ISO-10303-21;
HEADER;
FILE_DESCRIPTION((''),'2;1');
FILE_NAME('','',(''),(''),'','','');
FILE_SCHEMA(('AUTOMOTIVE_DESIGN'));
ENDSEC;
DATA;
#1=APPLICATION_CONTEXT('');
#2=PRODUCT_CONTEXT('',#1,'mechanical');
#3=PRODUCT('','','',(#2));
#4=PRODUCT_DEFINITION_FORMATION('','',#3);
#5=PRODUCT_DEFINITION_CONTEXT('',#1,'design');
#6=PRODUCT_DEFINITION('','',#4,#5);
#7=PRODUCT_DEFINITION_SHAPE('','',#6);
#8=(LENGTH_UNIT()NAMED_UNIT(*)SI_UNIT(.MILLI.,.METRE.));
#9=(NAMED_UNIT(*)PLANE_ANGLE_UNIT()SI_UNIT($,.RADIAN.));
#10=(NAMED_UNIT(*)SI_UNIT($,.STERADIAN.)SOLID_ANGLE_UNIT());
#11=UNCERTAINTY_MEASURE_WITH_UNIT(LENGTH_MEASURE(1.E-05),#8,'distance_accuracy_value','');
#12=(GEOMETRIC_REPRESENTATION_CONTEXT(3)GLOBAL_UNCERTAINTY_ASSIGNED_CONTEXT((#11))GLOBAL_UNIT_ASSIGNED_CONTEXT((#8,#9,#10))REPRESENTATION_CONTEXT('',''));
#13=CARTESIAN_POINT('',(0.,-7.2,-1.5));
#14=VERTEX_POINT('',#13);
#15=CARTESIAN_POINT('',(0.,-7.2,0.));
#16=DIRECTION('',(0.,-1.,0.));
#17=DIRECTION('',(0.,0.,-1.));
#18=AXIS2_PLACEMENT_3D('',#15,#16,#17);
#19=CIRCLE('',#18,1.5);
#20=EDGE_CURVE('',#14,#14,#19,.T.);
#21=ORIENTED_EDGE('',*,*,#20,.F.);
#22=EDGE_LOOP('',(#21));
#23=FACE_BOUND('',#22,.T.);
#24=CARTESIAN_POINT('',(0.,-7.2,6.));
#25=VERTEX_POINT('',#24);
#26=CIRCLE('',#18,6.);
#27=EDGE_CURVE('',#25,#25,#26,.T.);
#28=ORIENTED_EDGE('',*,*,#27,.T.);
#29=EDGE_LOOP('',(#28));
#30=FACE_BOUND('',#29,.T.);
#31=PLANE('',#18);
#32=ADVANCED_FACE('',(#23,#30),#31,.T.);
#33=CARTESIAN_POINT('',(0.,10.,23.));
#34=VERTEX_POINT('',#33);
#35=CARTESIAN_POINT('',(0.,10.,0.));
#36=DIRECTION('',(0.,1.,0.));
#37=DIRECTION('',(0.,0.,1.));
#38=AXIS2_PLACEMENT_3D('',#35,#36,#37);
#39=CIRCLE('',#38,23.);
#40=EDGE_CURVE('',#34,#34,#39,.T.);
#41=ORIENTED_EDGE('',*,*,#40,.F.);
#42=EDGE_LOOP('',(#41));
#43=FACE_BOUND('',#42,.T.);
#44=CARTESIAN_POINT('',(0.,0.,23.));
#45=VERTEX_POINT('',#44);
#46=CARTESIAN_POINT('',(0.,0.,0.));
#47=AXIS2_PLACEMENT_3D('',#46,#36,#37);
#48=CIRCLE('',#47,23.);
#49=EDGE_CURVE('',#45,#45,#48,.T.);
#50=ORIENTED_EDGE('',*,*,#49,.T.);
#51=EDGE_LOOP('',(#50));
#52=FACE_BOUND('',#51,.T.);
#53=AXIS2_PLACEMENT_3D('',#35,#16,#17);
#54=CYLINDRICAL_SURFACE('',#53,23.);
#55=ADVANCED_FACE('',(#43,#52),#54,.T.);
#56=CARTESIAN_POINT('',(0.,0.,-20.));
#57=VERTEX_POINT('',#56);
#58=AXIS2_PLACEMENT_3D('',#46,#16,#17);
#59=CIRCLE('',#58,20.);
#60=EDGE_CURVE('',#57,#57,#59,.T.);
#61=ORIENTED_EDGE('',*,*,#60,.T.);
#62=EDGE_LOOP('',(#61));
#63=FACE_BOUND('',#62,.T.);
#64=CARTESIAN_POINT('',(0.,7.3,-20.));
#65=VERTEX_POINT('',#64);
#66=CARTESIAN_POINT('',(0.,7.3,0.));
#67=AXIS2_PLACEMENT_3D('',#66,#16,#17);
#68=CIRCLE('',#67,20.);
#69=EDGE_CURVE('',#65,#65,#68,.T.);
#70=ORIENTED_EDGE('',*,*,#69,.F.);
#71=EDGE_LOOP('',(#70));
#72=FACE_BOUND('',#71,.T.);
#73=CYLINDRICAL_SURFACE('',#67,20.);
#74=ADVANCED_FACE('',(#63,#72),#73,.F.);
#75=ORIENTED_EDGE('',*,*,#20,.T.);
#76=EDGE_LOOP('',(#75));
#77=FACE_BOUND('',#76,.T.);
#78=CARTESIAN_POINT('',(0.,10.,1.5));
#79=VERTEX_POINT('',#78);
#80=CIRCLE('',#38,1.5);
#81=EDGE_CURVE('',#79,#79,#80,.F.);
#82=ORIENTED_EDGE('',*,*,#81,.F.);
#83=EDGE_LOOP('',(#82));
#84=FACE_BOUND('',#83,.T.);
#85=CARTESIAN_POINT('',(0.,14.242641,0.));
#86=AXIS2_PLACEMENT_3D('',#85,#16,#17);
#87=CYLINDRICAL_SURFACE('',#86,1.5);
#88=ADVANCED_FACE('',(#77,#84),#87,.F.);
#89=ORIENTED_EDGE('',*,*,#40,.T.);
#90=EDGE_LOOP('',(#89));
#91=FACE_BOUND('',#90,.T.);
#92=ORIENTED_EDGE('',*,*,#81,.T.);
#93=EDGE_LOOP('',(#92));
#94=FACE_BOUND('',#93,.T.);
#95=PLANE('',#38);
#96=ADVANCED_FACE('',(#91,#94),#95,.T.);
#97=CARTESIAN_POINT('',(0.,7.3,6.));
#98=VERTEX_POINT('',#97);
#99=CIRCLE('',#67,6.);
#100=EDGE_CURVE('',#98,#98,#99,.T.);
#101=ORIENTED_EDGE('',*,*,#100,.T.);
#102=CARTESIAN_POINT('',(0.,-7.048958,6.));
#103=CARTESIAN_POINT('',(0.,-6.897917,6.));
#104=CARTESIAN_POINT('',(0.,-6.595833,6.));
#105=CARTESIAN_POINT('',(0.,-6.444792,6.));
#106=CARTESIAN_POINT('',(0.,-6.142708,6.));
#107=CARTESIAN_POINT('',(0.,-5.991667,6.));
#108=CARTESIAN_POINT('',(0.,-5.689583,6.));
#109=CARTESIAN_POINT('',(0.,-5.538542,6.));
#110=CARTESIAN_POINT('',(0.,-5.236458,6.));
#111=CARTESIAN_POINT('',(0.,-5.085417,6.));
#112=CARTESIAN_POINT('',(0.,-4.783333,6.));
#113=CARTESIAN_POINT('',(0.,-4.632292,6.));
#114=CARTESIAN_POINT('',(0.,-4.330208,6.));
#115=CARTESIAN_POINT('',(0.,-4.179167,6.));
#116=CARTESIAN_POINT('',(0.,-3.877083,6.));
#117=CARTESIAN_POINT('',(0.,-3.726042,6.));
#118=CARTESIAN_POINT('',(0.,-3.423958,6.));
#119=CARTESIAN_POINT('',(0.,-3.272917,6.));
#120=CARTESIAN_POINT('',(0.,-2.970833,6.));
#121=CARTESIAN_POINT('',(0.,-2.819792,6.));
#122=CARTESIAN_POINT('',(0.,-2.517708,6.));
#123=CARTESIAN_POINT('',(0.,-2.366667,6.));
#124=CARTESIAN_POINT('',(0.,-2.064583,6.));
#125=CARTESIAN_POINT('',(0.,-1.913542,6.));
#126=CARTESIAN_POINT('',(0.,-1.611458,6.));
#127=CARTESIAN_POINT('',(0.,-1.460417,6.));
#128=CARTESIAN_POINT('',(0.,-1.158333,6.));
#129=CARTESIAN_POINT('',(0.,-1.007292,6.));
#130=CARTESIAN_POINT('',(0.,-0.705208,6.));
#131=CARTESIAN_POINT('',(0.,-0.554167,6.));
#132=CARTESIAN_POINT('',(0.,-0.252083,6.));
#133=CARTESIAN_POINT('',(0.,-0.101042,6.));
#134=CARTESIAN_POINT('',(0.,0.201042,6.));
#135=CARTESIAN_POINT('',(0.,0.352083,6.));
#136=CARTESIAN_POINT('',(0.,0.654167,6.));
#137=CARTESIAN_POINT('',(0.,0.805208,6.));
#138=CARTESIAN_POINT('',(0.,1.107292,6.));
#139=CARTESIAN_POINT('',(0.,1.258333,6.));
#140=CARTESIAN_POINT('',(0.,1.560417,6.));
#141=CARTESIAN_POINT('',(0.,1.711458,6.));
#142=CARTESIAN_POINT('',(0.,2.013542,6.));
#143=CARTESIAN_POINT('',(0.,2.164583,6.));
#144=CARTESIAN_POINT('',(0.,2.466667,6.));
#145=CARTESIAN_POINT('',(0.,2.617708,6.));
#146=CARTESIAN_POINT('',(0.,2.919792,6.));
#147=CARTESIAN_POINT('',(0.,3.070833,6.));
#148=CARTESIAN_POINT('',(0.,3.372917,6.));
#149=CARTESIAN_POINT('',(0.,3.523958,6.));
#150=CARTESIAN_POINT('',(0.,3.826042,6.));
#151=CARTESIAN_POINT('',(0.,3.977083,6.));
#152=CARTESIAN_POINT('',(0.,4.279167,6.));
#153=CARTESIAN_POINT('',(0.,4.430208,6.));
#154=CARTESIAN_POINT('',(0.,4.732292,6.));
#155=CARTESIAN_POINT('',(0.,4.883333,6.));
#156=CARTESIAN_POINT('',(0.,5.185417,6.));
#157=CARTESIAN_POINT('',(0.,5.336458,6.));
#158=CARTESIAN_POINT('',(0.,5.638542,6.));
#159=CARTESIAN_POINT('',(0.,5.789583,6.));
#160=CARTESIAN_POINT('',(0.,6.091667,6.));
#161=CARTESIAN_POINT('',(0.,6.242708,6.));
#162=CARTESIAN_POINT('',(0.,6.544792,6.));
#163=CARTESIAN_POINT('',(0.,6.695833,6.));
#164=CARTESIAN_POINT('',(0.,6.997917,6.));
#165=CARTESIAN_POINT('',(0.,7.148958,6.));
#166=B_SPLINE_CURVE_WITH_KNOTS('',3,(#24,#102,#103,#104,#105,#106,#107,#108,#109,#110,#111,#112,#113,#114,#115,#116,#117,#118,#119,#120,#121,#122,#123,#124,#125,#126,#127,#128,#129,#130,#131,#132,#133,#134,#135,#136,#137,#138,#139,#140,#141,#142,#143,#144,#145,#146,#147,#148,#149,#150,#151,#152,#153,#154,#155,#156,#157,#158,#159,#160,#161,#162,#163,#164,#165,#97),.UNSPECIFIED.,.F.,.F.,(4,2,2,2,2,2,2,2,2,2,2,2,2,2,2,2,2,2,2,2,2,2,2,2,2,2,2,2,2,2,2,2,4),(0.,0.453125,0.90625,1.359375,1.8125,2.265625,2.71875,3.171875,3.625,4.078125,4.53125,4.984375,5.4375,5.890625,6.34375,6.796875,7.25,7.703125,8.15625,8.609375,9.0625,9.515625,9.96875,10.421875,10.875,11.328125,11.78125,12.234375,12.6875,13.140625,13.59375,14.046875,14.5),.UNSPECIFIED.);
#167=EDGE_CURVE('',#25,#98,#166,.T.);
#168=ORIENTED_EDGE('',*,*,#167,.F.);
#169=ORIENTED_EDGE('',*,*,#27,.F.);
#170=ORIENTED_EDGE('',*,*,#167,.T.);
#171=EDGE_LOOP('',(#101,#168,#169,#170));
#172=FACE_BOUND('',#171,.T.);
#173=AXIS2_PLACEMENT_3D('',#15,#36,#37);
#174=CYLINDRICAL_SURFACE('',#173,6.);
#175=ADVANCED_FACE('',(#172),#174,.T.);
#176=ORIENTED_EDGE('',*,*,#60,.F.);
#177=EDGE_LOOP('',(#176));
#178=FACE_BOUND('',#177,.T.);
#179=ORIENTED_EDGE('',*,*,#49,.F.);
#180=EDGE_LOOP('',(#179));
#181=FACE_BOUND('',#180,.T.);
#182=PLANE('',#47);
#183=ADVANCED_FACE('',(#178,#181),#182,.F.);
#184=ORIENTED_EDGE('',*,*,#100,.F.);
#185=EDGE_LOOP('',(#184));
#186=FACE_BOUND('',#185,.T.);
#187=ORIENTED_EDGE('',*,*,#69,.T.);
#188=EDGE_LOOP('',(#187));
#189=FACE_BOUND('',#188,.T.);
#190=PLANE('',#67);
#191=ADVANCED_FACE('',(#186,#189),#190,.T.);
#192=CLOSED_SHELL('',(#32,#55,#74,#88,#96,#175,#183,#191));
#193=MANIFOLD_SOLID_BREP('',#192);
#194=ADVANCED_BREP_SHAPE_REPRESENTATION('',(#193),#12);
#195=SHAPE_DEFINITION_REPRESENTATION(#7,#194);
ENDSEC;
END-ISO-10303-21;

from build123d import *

# Parameters (mm, degrees)
SKETCH1_R           = 23
BOSS_EXTRUDE1_DEPTH = 10
SKETCH2_R           = 20
CUT_EXTRUDE1_DEPTH  = 7.3
SKETCH3_R           = 6
BOSS_EXTRUDE3_DEPTH = 14.5
SKETCH4_R           = 1.5
CUT_EXTRUDE2_DEPTH  = 17.2


with BuildPart() as part:
    # Sketch1 → Boss-Extrude1 (new body)
    with BuildSketch(Plane(origin=(0, 0, 0), x_dir=(1, 0, 0), z_dir=(0, 1, 0))):
        with Locations(Location((0, 0, 0), (0, 0, 270))):
            Circle(SKETCH1_R)
    extrude(amount=BOSS_EXTRUDE1_DEPTH)

    # Sketch2 → Cut-Extrude1 (cut)
    with BuildSketch(Plane.XZ):
        with Locations(Location((0, 0, 0), (0, 0, 270))):
            Circle(SKETCH2_R)
    extrude(amount=-CUT_EXTRUDE1_DEPTH, mode=Mode.SUBTRACT)

    # Sketch3 → Boss-Extrude3 (add)
    with BuildSketch(Plane.XZ.offset(-7.3)):
        with Locations(Location((0, 0, 0), (0, 0, 90))):
            Circle(SKETCH3_R)
    extrude(amount=BOSS_EXTRUDE3_DEPTH)

    # Sketch4 → Cut-Extrude2 (cut)
    with BuildSketch(Plane.XZ.offset(7.2)):
        with Locations(Location((0, 0, 0), (0, 0, 270))):
            Circle(SKETCH4_R)
    extrude(amount=-CUT_EXTRUDE2_DEPTH, mode=Mode.SUBTRACT)


solid = part.part
